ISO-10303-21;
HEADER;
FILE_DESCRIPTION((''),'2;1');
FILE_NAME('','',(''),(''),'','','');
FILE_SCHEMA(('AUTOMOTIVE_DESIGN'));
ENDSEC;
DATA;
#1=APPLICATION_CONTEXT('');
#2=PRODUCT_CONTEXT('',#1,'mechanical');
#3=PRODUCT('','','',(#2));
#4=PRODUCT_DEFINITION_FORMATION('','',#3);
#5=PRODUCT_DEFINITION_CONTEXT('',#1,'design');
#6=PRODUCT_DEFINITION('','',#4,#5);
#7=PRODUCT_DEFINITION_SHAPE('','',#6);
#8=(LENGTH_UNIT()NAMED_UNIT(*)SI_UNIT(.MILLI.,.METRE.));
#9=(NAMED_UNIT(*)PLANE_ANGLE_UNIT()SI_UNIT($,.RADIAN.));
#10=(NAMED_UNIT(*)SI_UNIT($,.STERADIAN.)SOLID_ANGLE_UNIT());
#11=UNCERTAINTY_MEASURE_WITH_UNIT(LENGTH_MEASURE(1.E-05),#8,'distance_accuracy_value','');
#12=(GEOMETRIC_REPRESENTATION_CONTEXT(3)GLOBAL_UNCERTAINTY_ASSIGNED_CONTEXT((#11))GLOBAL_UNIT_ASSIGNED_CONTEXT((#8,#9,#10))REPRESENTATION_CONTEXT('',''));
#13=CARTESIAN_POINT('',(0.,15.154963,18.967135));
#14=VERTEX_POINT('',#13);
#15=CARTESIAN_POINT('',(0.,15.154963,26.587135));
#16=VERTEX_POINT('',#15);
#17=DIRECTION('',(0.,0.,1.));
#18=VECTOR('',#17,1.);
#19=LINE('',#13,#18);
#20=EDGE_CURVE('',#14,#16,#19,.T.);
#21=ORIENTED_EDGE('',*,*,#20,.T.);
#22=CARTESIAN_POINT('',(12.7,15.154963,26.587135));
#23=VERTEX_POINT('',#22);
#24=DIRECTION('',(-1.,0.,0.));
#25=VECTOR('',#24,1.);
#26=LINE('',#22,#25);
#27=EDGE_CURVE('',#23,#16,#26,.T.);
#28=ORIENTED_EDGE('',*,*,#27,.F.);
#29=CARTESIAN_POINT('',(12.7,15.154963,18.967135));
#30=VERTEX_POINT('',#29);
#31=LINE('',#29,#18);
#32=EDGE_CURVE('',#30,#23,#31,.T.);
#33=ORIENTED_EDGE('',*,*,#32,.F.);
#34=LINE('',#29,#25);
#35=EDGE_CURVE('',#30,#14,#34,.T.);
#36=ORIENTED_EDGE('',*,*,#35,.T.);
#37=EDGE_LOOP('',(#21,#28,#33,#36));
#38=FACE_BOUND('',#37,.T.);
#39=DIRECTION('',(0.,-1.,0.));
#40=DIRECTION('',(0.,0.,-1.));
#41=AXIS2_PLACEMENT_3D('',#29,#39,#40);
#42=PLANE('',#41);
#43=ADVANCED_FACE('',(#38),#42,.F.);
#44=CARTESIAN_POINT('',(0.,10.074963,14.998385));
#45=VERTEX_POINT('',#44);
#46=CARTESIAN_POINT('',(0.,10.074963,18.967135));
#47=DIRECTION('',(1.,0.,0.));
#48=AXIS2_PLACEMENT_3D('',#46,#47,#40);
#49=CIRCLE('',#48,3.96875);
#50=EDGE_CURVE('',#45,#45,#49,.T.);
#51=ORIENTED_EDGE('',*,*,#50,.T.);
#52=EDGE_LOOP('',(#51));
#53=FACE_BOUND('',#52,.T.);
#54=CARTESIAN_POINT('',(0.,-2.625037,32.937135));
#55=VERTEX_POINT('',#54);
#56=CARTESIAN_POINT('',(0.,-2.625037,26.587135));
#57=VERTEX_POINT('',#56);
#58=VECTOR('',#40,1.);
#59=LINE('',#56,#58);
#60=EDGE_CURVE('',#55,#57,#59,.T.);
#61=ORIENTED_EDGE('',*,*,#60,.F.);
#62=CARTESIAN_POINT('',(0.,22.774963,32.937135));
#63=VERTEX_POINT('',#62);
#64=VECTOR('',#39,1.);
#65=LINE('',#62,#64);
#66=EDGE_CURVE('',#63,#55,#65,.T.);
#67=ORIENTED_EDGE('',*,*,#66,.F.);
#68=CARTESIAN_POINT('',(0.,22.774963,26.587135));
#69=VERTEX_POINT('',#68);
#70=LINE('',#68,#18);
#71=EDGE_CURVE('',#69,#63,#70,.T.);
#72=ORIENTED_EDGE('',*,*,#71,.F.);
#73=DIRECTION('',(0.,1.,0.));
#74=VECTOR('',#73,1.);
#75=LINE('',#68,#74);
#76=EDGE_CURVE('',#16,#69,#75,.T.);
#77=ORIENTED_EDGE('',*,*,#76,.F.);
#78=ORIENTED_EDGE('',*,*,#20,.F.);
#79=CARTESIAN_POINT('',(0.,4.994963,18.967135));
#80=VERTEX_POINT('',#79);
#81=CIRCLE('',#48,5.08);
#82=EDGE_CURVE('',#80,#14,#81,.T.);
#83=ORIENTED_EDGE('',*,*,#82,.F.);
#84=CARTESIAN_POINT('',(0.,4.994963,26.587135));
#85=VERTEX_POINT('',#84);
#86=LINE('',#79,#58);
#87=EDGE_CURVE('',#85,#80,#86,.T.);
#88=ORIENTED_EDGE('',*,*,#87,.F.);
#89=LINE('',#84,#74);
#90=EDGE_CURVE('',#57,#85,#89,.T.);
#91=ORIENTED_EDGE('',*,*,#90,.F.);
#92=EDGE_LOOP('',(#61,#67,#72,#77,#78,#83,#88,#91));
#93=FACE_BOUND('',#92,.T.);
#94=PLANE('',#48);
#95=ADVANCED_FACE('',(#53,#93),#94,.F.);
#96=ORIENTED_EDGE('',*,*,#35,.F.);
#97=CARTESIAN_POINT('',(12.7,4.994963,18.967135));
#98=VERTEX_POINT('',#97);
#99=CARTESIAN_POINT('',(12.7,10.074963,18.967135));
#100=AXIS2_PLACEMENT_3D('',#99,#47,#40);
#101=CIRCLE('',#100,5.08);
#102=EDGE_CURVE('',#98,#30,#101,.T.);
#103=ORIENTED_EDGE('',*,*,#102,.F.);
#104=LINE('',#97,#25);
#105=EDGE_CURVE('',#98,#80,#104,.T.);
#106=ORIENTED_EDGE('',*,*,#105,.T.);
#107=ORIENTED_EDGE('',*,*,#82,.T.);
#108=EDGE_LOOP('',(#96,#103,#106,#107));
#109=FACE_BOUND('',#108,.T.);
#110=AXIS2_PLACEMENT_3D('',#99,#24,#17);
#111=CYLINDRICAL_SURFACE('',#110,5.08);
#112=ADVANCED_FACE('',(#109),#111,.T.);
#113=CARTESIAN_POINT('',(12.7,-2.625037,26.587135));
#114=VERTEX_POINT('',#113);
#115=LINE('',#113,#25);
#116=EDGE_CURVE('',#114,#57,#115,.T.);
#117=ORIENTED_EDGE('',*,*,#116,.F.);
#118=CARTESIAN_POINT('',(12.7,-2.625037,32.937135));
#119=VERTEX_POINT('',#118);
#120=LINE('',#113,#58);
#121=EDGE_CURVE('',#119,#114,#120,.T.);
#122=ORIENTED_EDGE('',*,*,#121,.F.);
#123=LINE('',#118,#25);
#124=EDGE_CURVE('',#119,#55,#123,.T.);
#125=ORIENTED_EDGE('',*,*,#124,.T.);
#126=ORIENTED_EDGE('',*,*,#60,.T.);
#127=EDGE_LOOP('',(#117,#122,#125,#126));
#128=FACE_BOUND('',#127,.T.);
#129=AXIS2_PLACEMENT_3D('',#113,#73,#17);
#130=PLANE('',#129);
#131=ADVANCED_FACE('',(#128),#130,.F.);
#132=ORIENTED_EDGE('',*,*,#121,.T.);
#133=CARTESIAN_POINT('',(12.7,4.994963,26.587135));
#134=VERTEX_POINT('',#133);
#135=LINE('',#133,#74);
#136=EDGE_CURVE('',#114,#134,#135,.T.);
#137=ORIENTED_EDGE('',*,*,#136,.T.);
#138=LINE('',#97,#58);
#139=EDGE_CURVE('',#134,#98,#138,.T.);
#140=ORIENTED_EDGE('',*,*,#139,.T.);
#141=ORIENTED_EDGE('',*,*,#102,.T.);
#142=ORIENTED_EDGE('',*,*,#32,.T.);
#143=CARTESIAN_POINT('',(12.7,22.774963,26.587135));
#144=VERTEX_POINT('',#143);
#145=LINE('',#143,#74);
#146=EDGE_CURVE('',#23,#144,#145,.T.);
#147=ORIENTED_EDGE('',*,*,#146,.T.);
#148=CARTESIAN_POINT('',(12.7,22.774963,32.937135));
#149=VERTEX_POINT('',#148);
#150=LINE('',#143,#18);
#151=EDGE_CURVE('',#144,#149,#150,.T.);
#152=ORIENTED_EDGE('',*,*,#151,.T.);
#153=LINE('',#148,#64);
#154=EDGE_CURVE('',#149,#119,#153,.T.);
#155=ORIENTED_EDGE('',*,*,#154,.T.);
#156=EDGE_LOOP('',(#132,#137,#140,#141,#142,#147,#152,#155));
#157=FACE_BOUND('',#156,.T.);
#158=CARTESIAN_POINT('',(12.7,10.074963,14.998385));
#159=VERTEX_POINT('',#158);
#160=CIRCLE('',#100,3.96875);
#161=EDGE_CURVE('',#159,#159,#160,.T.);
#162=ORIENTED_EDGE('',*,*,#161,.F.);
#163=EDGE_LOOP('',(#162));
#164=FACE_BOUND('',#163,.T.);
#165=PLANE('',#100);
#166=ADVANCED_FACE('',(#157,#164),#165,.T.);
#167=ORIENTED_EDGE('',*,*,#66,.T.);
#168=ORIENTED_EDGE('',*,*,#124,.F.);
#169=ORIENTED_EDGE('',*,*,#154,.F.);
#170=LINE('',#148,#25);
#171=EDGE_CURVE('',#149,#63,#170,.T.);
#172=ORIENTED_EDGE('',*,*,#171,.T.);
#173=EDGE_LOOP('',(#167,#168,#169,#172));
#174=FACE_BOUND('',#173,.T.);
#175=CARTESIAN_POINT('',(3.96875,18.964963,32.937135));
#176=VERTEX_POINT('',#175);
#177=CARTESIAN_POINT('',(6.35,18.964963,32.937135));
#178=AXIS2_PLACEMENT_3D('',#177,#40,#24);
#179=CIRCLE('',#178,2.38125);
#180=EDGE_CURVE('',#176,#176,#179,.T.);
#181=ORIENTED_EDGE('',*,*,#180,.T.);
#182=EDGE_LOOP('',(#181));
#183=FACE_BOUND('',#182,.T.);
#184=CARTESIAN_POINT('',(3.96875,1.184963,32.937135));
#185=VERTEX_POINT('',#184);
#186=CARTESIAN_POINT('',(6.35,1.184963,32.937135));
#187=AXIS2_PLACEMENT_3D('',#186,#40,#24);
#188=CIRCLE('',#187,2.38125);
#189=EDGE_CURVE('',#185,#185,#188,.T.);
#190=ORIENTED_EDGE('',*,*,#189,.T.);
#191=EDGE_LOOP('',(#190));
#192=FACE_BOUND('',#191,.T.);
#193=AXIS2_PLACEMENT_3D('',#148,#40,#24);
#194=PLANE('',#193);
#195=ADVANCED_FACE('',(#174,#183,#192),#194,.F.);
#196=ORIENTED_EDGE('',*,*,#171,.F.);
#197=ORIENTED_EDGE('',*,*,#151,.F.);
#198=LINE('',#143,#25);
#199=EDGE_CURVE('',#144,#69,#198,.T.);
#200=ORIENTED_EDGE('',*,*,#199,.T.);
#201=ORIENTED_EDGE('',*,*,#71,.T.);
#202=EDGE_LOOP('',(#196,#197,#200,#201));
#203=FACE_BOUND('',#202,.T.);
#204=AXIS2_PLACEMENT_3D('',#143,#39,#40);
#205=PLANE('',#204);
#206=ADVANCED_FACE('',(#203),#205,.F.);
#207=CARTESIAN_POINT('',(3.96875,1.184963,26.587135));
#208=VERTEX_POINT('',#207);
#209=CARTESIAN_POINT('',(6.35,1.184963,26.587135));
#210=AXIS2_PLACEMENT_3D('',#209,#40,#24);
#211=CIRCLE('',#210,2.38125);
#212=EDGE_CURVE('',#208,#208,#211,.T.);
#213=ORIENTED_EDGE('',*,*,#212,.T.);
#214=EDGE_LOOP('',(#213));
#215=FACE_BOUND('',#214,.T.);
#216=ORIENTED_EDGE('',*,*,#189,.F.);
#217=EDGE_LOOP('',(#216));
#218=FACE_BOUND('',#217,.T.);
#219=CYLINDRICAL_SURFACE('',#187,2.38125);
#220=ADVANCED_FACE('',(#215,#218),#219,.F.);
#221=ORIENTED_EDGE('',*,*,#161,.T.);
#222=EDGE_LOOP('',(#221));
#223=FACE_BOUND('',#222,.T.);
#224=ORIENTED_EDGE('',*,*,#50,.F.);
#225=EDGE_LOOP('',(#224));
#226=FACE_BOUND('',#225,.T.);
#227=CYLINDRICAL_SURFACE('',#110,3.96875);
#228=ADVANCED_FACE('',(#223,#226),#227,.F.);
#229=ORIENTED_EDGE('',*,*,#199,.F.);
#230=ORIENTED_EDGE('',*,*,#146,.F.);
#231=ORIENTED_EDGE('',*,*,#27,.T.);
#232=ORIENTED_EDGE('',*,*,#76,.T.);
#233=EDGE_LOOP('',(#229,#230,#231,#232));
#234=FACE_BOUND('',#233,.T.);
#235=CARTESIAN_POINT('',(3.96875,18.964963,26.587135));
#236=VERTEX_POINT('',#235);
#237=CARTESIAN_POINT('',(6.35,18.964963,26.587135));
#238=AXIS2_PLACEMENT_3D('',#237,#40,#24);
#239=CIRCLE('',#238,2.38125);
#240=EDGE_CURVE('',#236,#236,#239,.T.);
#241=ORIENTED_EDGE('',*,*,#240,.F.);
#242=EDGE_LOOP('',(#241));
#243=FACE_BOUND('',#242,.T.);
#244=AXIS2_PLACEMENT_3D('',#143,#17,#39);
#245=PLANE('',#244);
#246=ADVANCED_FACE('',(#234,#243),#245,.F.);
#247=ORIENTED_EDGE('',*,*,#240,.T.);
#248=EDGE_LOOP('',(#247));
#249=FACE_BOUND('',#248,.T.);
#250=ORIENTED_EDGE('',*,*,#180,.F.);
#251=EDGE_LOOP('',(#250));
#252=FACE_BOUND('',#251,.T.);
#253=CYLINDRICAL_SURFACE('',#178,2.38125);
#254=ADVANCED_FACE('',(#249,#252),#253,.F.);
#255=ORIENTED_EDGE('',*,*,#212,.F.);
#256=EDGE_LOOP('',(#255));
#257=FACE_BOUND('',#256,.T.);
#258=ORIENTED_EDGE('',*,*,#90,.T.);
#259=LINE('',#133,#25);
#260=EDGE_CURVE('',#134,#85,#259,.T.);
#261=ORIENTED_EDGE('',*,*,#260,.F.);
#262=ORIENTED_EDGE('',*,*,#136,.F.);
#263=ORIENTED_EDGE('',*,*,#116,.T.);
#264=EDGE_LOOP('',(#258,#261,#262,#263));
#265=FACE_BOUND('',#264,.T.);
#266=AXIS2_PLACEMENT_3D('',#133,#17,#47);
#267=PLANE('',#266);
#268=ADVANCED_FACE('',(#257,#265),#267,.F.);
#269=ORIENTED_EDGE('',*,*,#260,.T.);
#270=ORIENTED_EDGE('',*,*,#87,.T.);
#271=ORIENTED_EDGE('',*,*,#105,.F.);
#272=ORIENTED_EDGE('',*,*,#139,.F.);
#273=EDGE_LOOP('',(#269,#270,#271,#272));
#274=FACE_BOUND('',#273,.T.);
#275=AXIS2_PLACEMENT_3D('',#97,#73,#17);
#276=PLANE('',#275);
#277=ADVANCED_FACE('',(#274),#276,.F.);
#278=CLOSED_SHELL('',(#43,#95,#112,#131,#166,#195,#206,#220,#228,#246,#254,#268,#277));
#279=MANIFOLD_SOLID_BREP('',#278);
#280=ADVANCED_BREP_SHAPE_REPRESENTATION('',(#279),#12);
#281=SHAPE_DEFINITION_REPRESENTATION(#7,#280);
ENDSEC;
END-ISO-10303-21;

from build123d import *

# Parameters (mm, degrees)
SKETCH1_R           = 3.96875
BOSS_EXTRUDE1_DEPTH = 12.7
SKETCH2_R           = 2.38125
CUT_EXTRUDE1_DEPTH  = 7.35


with BuildPart() as part:
    # Sketch1 → Boss-Extrude1 (new body)
    with BuildSketch(Plane(origin=(0, 0, 0), x_dir=(0, 0, -1), z_dir=(1, 0, 0))):
        with BuildLine():
            Line((-26.587134527, 4.994963407), (-26.587134527, -2.625036593))
            Line((-26.587134527, -2.625036593), (-32.937134527, -2.625036593))
            Line((-32.937134527, -2.625036593), (-32.937134527, 22.774963407))
            Line((-32.937134527, 22.774963407), (-26.587134527, 22.774963407))
            Line((-26.587134527, 22.774963407), (-26.587134527, 15.154963407))
            Line((-26.587134527, 15.154963407), (-18.967134527, 15.154963407))
            ThreePointArc((-18.967134527, 15.154963407), (-13.887134527, 10.074963407), (-18.967134527, 4.994963407))
            Line((-18.967134527, 4.994963407), (-26.587134527, 4.994963407))
        make_face()
        with Locations((-18.967134527, 10.074963407)):
            Circle(SKETCH1_R, mode=Mode.SUBTRACT)
    extrude(amount=BOSS_EXTRUDE1_DEPTH)

    # Sketch2 → Cut-Extrude1 (cut, through all)
    with BuildSketch(Plane(origin=(0, 0, 26.587134527), x_dir=(-1, 0, 0), z_dir=(0, 0, -1))):
        with Locations((-6.35, 18.964963407)):
            Circle(SKETCH2_R)
        with Locations((-6.35, 1.184963407)):
            Circle(SKETCH2_R)
    extrude(amount=-CUT_EXTRUDE1_DEPTH, mode=Mode.SUBTRACT)


solid = part.part
